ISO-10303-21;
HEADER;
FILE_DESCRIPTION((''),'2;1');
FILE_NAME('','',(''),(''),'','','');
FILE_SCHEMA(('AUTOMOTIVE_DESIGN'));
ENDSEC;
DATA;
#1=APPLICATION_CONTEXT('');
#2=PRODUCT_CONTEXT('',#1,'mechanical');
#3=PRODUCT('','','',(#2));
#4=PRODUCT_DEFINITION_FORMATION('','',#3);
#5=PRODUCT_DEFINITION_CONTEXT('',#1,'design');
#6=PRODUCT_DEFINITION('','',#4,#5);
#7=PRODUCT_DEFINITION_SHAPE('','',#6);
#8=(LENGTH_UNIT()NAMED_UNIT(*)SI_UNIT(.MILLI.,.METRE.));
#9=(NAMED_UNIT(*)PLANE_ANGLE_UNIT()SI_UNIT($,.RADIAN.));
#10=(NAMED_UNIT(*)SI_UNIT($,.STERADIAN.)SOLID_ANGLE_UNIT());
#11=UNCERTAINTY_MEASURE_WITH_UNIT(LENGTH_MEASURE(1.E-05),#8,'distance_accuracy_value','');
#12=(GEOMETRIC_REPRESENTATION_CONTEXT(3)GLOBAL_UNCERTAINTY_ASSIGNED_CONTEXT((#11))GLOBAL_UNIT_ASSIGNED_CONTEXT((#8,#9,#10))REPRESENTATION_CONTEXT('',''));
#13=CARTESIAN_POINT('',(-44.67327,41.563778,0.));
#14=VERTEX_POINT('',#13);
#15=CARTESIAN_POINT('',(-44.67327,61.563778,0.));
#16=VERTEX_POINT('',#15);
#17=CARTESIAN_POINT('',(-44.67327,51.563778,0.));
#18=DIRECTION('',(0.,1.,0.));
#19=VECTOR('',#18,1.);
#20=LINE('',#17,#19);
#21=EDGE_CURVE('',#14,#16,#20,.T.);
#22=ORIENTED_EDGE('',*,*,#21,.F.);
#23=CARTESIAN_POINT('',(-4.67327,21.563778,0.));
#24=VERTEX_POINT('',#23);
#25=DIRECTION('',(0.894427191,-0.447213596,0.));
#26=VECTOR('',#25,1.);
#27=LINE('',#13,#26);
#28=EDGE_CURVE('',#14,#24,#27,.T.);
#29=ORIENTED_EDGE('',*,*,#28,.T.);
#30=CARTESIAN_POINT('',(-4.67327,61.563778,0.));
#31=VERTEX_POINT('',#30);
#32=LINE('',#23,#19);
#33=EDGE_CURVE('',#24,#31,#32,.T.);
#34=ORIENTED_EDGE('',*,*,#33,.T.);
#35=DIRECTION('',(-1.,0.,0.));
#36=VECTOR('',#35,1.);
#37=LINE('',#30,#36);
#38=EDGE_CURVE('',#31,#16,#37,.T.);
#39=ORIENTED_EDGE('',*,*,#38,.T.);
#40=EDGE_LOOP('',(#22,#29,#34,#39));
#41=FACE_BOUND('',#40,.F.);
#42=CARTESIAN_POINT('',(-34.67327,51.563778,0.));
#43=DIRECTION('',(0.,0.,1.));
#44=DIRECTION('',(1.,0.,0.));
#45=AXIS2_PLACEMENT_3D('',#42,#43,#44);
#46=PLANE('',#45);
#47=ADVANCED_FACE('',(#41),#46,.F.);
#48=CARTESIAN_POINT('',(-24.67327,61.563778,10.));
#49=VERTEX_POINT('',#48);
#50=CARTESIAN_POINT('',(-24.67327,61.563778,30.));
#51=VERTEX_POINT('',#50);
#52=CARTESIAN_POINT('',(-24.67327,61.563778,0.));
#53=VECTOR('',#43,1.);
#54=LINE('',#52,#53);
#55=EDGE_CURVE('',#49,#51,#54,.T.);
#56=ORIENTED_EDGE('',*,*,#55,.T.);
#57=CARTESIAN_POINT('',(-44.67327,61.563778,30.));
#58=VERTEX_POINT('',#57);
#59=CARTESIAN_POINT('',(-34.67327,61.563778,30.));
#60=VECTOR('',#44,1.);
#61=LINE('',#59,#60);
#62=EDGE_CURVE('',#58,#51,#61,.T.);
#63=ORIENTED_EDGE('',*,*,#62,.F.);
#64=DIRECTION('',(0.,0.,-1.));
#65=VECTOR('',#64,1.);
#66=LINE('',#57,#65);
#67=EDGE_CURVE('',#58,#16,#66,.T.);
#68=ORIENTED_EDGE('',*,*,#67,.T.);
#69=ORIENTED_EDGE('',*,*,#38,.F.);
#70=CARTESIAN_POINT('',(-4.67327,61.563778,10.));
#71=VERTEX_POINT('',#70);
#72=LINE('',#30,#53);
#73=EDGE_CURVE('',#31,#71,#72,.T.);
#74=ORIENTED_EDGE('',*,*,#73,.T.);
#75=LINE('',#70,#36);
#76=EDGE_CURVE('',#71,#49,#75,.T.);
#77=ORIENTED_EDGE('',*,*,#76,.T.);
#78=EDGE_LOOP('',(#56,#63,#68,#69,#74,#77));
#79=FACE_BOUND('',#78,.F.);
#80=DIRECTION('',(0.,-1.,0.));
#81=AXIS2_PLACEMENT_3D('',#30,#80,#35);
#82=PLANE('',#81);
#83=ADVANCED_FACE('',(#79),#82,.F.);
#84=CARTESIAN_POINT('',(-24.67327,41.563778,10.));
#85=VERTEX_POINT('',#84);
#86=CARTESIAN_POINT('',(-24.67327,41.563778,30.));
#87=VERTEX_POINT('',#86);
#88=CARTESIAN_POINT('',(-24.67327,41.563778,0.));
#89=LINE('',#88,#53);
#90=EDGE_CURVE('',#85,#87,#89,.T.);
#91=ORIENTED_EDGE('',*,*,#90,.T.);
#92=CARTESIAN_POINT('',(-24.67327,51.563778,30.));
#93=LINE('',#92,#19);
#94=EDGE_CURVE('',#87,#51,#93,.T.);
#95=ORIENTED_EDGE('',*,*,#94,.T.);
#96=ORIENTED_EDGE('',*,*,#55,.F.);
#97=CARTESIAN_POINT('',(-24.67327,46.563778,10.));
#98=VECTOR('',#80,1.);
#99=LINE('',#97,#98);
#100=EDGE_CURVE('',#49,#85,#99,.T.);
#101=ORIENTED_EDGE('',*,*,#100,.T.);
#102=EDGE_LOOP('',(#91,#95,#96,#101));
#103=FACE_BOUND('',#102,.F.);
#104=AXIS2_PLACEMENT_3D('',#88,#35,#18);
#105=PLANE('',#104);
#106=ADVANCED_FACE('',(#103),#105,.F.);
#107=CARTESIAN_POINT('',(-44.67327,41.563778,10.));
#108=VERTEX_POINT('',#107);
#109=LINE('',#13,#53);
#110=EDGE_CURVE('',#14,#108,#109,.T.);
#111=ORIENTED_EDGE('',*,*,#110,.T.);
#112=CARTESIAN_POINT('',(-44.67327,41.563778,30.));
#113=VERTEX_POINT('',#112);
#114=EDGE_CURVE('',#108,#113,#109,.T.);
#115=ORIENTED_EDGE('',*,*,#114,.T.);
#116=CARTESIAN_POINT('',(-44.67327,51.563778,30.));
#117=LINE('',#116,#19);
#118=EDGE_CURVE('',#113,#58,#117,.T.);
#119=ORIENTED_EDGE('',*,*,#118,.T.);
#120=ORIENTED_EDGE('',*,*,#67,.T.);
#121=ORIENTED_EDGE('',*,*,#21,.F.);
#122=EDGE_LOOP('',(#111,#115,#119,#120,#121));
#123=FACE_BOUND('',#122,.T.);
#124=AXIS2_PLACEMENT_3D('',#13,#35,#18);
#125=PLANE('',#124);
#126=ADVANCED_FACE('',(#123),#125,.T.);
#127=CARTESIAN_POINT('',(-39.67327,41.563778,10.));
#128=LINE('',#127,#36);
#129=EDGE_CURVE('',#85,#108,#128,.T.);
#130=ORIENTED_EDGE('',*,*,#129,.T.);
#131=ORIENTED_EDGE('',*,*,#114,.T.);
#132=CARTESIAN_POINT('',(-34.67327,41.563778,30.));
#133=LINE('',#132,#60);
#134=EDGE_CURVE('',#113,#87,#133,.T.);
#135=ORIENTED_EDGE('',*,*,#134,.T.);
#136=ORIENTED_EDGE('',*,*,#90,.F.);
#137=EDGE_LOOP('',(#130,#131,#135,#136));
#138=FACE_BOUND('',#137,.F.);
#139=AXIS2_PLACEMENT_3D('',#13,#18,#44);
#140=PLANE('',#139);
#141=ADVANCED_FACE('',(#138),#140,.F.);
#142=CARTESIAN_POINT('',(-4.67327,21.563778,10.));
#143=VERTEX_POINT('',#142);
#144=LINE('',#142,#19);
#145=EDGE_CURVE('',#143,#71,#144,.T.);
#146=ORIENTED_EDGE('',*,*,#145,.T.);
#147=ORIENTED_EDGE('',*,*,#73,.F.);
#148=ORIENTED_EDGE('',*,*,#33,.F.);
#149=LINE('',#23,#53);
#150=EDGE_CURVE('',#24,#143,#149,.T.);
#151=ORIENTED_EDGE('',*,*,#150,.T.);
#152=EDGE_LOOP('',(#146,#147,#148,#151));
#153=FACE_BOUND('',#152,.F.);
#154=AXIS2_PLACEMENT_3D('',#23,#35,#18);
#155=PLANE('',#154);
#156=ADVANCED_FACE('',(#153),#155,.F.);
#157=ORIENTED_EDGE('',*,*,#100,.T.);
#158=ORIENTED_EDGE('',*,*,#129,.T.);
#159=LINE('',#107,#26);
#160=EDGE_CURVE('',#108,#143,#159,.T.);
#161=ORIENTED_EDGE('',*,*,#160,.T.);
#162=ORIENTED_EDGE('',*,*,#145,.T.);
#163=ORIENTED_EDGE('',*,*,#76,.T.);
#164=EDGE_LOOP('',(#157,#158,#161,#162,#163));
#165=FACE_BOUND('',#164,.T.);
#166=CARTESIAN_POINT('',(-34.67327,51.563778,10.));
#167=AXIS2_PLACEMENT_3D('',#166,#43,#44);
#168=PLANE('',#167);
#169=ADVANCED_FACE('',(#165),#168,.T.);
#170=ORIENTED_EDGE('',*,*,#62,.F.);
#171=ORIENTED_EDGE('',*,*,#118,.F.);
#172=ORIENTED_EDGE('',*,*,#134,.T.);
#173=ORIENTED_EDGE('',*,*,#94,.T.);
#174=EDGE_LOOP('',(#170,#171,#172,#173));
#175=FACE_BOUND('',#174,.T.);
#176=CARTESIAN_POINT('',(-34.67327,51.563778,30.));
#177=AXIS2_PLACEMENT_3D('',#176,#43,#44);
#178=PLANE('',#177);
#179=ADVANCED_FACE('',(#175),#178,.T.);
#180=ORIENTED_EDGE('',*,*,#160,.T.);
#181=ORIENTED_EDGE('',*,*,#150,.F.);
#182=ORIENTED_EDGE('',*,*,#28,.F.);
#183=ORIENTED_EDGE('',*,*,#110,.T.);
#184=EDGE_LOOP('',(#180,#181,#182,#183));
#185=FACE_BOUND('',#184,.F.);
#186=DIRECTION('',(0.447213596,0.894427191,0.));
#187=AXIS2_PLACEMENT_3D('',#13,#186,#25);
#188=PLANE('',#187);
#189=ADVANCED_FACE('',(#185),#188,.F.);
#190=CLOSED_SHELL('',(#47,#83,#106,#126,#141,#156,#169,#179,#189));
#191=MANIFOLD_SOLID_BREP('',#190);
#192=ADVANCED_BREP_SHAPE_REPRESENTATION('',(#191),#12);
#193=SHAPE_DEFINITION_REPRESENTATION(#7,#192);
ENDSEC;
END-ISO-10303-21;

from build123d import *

# Parameters (mm, degrees)
F0_W     = 20
F0_H     = 20
F1_DEPTH = 10
F2_DEPTH = 30


with BuildPart() as f1:
    # F0 (on Top) → F1 (new body)
    with BuildSketch(Plane.XY):
        with Locations((-34.67327, 51.563778)):
            Rectangle(F0_W, F0_H)
        Polygon((-4.67327, 61.563778), (-24.67327, 61.563778), (-24.67327, 41.563778), (-44.67327, 41.563778), (-4.67327, 21.563778), align=None)
    extrude(amount=F1_DEPTH)

    # F0 (on Top) → F2 (join)
    with BuildSketch(Plane.XY):
        with Locations((-34.67327, 51.563778)):
            Rectangle(F0_W, F0_H)
    extrude(amount=F2_DEPTH)


solid = f1.part
